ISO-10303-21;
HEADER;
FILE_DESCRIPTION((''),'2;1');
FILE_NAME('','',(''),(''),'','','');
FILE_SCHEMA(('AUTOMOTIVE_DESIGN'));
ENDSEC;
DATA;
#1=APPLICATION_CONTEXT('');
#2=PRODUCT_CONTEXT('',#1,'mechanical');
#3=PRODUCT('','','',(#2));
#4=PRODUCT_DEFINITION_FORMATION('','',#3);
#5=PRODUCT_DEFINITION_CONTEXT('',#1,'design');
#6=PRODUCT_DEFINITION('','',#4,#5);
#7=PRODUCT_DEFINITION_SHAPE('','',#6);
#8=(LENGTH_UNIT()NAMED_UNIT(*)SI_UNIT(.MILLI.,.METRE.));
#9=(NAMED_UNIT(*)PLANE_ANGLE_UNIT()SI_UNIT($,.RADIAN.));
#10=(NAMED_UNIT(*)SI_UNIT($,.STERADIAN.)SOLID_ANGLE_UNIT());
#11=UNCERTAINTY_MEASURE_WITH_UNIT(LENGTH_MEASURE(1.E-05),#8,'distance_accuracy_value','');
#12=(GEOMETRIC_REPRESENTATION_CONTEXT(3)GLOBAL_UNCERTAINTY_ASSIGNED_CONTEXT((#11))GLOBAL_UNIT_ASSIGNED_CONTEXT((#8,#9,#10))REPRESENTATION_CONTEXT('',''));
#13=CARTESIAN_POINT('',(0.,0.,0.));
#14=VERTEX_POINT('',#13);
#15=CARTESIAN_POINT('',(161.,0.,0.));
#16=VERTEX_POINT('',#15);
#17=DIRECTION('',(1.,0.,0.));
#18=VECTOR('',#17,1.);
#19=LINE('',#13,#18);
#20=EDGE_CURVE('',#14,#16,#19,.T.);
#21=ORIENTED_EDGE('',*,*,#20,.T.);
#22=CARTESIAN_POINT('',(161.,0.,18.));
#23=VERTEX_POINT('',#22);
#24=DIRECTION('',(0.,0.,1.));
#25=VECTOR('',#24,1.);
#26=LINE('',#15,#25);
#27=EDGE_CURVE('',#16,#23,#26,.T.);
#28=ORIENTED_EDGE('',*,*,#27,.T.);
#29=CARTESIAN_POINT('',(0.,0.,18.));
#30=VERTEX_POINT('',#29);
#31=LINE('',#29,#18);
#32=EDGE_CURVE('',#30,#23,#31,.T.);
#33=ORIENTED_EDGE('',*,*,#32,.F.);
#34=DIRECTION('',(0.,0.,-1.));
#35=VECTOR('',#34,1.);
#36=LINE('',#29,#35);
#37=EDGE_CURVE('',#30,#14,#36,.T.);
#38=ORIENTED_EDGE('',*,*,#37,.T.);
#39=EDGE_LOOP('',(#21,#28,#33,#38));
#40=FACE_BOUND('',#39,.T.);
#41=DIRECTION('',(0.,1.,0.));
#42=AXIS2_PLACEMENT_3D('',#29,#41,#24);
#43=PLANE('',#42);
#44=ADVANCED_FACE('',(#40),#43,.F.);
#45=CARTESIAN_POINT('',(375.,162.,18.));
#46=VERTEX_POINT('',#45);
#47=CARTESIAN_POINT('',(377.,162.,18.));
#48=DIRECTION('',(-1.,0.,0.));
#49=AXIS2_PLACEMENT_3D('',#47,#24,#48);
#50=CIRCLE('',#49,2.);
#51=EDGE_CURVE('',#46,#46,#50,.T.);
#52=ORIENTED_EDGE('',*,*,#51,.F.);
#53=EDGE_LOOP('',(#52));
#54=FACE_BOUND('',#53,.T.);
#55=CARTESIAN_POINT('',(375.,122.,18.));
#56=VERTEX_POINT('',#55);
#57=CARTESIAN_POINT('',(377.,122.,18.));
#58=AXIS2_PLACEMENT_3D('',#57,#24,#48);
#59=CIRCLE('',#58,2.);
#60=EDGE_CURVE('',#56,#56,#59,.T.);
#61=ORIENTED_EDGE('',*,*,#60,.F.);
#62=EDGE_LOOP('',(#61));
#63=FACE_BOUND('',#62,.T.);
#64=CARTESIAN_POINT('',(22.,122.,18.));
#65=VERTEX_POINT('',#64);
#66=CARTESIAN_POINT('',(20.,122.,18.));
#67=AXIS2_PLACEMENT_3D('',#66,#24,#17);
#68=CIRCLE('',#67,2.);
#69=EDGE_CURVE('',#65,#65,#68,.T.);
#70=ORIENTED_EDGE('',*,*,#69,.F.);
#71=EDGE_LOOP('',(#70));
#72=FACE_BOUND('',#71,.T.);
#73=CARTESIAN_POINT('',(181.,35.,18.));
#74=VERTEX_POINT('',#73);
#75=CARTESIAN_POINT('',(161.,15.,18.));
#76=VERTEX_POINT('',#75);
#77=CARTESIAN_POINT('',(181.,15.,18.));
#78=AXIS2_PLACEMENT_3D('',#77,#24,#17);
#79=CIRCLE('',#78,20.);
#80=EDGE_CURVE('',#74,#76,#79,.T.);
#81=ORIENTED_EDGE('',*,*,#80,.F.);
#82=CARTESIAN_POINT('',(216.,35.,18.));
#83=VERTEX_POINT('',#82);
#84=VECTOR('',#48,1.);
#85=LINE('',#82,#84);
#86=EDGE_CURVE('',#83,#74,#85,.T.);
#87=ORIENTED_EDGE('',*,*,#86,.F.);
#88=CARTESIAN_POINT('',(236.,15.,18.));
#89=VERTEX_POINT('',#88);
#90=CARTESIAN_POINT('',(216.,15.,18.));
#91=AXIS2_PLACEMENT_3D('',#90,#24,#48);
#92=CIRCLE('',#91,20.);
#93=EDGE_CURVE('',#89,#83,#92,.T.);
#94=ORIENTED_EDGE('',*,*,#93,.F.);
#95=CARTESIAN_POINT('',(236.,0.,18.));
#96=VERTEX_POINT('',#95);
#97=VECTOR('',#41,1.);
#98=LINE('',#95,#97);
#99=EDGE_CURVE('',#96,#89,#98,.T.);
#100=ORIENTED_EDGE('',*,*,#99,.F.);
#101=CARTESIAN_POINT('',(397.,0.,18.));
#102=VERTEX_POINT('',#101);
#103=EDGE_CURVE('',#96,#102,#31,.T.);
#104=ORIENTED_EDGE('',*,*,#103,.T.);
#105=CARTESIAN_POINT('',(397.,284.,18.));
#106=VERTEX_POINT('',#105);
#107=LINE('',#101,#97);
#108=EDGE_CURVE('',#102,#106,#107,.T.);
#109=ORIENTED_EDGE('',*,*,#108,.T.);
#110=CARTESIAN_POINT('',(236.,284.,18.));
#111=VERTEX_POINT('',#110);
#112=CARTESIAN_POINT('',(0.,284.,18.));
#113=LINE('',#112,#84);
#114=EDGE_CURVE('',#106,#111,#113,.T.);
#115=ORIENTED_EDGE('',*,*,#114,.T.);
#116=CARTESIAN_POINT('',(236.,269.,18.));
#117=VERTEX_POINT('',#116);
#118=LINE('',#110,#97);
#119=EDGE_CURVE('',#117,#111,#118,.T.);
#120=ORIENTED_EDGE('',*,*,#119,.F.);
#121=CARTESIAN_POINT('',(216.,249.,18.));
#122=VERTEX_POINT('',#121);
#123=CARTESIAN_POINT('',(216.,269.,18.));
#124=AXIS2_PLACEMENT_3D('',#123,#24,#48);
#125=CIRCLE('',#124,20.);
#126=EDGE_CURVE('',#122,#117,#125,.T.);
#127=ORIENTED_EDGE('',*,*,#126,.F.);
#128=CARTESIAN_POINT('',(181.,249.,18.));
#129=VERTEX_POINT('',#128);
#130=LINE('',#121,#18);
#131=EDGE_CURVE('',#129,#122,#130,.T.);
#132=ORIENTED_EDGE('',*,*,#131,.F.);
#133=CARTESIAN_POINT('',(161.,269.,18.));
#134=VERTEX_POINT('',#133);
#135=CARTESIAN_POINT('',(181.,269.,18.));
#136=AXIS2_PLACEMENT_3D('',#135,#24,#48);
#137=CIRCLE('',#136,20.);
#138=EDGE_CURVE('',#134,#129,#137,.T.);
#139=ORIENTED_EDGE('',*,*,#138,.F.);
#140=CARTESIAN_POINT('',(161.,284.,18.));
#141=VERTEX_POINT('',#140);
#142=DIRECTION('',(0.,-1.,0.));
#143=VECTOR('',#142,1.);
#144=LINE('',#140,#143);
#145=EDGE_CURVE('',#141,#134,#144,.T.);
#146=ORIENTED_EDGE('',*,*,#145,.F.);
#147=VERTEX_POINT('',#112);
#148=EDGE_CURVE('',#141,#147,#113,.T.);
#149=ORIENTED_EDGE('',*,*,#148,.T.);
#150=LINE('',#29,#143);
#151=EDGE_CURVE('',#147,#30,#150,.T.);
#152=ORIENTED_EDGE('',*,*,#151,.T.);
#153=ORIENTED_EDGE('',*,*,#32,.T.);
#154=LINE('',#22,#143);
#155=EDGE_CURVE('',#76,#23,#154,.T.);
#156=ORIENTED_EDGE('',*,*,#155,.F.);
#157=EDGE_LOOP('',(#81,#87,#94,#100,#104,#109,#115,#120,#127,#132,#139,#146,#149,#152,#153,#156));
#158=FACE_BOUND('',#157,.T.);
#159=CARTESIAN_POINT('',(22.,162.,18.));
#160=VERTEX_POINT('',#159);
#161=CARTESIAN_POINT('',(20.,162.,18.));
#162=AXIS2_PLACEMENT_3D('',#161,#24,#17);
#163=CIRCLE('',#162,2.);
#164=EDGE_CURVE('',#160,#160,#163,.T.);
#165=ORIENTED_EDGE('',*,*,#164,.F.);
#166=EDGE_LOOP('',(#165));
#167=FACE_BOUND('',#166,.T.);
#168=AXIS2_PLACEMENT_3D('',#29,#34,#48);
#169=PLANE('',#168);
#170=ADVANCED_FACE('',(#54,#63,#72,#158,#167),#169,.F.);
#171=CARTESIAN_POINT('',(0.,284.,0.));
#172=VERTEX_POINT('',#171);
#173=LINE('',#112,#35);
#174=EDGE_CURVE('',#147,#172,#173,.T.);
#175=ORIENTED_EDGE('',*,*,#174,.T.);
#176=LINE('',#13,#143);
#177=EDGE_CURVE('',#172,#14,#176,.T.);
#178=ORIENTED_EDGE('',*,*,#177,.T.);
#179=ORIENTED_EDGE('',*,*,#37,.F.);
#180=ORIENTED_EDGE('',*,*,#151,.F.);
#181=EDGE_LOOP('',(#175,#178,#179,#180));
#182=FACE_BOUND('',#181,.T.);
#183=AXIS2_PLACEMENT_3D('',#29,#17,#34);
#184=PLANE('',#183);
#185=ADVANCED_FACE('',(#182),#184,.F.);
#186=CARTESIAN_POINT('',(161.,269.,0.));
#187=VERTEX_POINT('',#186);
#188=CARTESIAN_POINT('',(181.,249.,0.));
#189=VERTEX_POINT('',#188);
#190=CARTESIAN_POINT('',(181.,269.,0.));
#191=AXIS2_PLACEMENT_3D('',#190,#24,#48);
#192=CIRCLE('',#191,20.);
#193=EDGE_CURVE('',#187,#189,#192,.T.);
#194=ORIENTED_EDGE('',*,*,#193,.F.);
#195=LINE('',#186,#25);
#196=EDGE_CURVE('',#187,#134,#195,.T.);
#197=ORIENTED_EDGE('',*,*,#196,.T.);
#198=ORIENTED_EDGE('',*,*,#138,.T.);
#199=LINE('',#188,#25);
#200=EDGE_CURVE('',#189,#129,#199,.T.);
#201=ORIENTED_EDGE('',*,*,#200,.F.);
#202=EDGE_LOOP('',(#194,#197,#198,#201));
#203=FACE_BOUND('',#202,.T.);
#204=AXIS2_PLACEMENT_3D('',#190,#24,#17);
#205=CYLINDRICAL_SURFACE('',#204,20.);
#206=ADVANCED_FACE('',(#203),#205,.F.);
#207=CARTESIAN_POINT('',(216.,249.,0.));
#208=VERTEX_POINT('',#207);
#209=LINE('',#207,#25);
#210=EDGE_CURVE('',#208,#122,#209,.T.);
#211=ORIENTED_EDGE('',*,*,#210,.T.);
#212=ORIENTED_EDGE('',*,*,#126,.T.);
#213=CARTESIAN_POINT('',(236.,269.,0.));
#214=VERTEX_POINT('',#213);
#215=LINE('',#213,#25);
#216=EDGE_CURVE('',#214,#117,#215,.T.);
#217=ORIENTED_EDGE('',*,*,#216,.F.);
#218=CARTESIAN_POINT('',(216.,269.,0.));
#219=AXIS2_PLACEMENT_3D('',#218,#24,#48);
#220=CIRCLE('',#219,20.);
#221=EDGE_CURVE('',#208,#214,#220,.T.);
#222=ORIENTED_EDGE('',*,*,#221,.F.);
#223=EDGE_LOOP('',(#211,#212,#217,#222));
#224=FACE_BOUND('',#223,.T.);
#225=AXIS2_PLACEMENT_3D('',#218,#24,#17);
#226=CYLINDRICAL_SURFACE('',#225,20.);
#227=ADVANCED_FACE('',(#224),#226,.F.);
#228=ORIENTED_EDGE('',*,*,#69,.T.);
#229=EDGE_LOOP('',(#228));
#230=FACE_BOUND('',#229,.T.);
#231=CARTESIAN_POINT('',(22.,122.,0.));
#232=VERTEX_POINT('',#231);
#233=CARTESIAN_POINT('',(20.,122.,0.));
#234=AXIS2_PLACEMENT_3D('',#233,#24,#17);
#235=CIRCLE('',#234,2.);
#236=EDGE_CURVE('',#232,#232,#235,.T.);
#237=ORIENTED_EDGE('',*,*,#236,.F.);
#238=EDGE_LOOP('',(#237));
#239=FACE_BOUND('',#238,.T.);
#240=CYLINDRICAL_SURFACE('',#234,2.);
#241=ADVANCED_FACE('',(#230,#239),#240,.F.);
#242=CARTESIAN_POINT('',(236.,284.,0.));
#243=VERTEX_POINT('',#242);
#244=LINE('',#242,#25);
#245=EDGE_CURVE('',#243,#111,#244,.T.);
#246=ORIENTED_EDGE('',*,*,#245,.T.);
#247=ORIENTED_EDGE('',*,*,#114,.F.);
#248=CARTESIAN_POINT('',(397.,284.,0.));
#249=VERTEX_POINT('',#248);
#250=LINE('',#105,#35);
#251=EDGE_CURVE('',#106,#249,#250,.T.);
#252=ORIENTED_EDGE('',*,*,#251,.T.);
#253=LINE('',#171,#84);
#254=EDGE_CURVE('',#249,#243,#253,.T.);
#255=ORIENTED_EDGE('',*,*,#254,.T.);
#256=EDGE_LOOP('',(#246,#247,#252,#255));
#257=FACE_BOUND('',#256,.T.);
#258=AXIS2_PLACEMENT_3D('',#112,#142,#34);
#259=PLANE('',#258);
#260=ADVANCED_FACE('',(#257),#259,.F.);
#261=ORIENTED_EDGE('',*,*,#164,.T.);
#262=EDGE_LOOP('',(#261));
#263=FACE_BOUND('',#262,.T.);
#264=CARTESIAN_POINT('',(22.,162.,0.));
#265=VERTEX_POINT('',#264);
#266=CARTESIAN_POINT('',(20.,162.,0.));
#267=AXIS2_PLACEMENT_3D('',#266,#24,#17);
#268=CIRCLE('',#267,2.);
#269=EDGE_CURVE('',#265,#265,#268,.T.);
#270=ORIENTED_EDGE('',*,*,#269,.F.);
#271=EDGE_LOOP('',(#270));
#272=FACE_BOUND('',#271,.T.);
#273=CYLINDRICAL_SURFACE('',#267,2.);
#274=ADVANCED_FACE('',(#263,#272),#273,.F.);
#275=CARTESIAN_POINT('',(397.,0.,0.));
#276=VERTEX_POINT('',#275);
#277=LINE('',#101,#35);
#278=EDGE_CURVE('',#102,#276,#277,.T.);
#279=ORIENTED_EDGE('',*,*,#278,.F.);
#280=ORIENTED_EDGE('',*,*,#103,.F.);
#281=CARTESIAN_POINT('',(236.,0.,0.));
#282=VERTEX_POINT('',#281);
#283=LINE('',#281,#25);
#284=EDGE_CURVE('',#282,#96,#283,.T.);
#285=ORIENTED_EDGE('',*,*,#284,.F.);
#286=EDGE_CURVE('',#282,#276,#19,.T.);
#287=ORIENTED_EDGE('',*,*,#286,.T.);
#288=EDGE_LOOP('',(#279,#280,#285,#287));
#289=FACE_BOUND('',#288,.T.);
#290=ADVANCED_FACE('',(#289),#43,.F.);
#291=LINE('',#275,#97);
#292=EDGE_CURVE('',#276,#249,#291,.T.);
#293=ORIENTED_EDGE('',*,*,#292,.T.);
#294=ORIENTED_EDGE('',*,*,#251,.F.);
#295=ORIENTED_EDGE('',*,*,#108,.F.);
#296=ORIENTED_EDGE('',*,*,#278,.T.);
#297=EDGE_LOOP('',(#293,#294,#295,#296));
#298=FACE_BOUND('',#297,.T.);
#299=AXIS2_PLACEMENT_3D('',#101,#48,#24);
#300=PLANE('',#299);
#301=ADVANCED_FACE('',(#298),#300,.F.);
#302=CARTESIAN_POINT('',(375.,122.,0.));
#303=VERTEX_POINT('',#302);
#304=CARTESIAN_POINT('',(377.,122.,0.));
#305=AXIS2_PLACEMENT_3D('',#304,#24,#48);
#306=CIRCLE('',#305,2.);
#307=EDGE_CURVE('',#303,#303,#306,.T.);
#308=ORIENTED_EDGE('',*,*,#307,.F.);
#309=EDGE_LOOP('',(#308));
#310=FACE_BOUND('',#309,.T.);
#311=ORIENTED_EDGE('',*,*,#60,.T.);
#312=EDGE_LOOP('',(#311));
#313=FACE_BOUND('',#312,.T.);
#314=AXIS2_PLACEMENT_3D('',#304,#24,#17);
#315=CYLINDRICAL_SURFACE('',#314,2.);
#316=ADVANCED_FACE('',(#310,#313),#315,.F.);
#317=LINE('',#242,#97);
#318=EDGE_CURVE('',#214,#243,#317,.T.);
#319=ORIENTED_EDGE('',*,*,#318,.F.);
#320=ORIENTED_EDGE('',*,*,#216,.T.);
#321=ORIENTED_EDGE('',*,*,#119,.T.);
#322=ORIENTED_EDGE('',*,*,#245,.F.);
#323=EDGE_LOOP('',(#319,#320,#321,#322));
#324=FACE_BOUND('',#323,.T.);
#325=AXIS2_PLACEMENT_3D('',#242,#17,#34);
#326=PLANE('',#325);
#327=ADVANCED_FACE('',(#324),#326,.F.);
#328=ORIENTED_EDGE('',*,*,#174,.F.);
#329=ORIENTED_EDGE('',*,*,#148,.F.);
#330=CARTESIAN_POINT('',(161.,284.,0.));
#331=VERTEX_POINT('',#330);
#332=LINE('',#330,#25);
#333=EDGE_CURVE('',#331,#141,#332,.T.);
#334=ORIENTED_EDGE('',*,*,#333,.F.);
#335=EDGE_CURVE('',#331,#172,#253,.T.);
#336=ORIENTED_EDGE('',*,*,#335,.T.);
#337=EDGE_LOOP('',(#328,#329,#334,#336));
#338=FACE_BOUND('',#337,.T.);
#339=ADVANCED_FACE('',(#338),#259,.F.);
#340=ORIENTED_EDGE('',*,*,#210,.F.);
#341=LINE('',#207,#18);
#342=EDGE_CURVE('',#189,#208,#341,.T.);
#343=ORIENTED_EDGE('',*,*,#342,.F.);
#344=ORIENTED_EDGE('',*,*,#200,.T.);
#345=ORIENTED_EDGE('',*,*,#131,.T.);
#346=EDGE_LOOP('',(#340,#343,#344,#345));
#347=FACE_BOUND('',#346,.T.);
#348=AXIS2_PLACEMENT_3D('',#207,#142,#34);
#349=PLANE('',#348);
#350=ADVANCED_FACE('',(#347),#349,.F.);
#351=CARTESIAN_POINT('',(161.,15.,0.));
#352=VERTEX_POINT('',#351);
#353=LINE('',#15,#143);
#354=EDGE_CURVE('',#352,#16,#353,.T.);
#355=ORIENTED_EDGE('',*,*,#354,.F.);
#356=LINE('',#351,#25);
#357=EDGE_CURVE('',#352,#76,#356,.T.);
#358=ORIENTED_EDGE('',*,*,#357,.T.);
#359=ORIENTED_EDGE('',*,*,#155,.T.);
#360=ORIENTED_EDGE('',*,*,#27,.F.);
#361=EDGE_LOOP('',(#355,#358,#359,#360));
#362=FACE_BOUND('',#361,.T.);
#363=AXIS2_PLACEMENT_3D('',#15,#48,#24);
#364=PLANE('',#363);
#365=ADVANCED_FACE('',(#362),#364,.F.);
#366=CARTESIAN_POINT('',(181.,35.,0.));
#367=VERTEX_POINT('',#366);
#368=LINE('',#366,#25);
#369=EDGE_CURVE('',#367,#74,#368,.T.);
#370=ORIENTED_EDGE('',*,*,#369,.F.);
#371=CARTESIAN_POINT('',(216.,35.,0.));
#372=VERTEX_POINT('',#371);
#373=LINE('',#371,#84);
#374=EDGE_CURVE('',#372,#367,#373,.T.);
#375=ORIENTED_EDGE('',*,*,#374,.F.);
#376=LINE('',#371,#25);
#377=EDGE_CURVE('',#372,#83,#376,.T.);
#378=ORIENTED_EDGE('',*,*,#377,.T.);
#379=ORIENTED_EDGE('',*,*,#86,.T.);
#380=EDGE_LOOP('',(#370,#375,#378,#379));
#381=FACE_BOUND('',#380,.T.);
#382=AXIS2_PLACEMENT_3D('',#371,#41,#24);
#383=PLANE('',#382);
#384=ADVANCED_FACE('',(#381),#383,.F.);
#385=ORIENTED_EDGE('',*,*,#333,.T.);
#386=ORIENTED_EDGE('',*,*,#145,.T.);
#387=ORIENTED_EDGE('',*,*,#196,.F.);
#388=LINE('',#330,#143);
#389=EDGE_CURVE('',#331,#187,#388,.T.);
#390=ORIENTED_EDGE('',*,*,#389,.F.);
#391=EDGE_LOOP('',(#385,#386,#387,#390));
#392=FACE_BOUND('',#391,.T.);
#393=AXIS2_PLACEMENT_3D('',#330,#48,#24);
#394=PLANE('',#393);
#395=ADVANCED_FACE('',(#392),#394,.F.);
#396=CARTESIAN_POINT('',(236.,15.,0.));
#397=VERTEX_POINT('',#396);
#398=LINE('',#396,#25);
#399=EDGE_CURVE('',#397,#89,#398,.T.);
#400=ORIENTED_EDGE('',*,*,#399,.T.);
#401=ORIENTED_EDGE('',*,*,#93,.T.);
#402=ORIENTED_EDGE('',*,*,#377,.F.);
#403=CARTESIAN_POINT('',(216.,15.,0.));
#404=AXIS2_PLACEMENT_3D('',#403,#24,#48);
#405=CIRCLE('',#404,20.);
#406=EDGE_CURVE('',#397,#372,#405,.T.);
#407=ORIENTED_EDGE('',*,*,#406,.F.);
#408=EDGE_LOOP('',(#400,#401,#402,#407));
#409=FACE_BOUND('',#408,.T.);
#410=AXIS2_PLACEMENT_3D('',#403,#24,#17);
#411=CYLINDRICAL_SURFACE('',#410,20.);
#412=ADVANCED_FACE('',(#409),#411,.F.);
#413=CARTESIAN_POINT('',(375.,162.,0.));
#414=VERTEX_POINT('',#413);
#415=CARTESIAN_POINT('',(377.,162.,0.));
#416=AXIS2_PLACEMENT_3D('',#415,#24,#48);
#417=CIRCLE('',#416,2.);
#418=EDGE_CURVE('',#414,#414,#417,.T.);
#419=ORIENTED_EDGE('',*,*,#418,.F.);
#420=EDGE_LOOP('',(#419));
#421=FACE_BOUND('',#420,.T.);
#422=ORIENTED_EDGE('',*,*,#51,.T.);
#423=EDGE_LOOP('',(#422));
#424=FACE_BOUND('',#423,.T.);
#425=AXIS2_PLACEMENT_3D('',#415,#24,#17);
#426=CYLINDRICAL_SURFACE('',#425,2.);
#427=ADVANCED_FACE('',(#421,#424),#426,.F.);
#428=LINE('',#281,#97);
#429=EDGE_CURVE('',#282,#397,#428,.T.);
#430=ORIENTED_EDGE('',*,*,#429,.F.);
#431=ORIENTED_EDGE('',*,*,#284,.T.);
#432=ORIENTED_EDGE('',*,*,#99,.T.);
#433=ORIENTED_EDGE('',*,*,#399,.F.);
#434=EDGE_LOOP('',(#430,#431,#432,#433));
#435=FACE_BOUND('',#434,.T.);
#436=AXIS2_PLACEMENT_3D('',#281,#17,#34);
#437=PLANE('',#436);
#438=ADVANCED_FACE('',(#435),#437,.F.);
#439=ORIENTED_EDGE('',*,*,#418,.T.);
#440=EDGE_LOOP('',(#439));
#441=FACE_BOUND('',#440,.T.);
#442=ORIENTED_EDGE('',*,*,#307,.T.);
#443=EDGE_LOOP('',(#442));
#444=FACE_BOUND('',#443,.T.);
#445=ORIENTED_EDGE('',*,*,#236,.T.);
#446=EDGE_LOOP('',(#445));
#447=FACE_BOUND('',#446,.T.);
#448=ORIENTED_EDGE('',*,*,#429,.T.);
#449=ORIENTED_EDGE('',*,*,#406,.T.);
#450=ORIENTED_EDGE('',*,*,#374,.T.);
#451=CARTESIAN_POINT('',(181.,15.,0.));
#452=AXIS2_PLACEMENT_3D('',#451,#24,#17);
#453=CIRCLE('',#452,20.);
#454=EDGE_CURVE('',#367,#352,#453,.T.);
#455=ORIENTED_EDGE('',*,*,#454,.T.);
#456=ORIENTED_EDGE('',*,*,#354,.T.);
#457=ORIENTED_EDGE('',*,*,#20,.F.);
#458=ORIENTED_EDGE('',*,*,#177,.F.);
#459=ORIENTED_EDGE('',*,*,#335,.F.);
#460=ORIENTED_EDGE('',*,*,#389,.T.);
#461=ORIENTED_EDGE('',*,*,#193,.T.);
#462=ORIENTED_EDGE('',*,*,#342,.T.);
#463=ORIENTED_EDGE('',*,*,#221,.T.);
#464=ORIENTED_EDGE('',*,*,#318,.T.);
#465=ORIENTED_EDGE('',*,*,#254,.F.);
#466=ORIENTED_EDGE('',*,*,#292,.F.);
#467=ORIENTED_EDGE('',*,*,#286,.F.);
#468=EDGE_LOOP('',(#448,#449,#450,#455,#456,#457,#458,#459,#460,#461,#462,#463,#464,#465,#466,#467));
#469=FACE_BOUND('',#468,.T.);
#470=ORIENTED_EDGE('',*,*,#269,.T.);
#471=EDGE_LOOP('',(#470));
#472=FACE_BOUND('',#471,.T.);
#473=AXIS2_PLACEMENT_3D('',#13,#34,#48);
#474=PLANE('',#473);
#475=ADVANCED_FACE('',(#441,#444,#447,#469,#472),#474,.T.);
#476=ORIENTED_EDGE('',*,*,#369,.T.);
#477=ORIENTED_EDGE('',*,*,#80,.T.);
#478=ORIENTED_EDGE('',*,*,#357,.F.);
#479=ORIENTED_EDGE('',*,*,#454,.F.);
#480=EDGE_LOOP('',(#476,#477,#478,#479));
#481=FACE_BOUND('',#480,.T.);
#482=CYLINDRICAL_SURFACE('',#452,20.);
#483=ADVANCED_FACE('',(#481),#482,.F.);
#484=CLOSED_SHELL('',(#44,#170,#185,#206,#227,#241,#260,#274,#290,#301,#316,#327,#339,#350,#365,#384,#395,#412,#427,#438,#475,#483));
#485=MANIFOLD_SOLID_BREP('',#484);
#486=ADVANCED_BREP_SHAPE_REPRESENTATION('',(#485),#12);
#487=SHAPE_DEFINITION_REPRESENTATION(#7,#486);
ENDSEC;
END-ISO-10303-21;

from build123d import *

# Parameters (mm, degrees)
SKETCH1_W           = 397
SKETCH1_H           = 284
BOSS_EXTRUDE1_DEPTH = 18
SKETCH2_R           = 2
CUT_EXTRUDE1_DEPTH  = 19


with BuildPart() as part:
    # Sketch1 → Boss-Extrude1 (new body)
    with BuildSketch(Plane.XY):
        with Locations((198.5, 142)):
            Rectangle(SKETCH1_W, SKETCH1_H)
    extrude(amount=BOSS_EXTRUDE1_DEPTH)

    # Sketch2 → Cut-Extrude1 (cut, through all)
    with BuildSketch(Plane.XY.offset(18)):
        with Locations((20, 162)):
            Circle(SKETCH2_R)
        with Locations((20, 122)):
            Circle(SKETCH2_R)
        with Locations((377, 122)):
            Circle(SKETCH2_R)
        with Locations((377, 162)):
            Circle(SKETCH2_R)
        with BuildLine():
            Line((236, 284), (161, 284))
            Line((161, 284), (161, 269))
            ThreePointArc((161, 269), (166.857864376, 254.857864376), (181, 249))
            Line((181, 249), (216, 249))
            ThreePointArc((216, 249), (230.142135624, 254.857864376), (236, 269))
            Line((236, 269), (236, 284))
        make_face()
        with BuildLine():
            Line((216, 35), (181, 35))
            ThreePointArc((181, 35), (166.857864376, 29.142135624), (161, 15))
            Line((161, 15), (161, 0))
            Line((161, 0), (236, 0))
            Line((236, 0), (236, 15))
            ThreePointArc((236, 15), (230.142135624, 29.142135624), (216, 35))
        make_face()
    extrude(amount=-CUT_EXTRUDE1_DEPTH, mode=Mode.SUBTRACT)


solid = part.part
